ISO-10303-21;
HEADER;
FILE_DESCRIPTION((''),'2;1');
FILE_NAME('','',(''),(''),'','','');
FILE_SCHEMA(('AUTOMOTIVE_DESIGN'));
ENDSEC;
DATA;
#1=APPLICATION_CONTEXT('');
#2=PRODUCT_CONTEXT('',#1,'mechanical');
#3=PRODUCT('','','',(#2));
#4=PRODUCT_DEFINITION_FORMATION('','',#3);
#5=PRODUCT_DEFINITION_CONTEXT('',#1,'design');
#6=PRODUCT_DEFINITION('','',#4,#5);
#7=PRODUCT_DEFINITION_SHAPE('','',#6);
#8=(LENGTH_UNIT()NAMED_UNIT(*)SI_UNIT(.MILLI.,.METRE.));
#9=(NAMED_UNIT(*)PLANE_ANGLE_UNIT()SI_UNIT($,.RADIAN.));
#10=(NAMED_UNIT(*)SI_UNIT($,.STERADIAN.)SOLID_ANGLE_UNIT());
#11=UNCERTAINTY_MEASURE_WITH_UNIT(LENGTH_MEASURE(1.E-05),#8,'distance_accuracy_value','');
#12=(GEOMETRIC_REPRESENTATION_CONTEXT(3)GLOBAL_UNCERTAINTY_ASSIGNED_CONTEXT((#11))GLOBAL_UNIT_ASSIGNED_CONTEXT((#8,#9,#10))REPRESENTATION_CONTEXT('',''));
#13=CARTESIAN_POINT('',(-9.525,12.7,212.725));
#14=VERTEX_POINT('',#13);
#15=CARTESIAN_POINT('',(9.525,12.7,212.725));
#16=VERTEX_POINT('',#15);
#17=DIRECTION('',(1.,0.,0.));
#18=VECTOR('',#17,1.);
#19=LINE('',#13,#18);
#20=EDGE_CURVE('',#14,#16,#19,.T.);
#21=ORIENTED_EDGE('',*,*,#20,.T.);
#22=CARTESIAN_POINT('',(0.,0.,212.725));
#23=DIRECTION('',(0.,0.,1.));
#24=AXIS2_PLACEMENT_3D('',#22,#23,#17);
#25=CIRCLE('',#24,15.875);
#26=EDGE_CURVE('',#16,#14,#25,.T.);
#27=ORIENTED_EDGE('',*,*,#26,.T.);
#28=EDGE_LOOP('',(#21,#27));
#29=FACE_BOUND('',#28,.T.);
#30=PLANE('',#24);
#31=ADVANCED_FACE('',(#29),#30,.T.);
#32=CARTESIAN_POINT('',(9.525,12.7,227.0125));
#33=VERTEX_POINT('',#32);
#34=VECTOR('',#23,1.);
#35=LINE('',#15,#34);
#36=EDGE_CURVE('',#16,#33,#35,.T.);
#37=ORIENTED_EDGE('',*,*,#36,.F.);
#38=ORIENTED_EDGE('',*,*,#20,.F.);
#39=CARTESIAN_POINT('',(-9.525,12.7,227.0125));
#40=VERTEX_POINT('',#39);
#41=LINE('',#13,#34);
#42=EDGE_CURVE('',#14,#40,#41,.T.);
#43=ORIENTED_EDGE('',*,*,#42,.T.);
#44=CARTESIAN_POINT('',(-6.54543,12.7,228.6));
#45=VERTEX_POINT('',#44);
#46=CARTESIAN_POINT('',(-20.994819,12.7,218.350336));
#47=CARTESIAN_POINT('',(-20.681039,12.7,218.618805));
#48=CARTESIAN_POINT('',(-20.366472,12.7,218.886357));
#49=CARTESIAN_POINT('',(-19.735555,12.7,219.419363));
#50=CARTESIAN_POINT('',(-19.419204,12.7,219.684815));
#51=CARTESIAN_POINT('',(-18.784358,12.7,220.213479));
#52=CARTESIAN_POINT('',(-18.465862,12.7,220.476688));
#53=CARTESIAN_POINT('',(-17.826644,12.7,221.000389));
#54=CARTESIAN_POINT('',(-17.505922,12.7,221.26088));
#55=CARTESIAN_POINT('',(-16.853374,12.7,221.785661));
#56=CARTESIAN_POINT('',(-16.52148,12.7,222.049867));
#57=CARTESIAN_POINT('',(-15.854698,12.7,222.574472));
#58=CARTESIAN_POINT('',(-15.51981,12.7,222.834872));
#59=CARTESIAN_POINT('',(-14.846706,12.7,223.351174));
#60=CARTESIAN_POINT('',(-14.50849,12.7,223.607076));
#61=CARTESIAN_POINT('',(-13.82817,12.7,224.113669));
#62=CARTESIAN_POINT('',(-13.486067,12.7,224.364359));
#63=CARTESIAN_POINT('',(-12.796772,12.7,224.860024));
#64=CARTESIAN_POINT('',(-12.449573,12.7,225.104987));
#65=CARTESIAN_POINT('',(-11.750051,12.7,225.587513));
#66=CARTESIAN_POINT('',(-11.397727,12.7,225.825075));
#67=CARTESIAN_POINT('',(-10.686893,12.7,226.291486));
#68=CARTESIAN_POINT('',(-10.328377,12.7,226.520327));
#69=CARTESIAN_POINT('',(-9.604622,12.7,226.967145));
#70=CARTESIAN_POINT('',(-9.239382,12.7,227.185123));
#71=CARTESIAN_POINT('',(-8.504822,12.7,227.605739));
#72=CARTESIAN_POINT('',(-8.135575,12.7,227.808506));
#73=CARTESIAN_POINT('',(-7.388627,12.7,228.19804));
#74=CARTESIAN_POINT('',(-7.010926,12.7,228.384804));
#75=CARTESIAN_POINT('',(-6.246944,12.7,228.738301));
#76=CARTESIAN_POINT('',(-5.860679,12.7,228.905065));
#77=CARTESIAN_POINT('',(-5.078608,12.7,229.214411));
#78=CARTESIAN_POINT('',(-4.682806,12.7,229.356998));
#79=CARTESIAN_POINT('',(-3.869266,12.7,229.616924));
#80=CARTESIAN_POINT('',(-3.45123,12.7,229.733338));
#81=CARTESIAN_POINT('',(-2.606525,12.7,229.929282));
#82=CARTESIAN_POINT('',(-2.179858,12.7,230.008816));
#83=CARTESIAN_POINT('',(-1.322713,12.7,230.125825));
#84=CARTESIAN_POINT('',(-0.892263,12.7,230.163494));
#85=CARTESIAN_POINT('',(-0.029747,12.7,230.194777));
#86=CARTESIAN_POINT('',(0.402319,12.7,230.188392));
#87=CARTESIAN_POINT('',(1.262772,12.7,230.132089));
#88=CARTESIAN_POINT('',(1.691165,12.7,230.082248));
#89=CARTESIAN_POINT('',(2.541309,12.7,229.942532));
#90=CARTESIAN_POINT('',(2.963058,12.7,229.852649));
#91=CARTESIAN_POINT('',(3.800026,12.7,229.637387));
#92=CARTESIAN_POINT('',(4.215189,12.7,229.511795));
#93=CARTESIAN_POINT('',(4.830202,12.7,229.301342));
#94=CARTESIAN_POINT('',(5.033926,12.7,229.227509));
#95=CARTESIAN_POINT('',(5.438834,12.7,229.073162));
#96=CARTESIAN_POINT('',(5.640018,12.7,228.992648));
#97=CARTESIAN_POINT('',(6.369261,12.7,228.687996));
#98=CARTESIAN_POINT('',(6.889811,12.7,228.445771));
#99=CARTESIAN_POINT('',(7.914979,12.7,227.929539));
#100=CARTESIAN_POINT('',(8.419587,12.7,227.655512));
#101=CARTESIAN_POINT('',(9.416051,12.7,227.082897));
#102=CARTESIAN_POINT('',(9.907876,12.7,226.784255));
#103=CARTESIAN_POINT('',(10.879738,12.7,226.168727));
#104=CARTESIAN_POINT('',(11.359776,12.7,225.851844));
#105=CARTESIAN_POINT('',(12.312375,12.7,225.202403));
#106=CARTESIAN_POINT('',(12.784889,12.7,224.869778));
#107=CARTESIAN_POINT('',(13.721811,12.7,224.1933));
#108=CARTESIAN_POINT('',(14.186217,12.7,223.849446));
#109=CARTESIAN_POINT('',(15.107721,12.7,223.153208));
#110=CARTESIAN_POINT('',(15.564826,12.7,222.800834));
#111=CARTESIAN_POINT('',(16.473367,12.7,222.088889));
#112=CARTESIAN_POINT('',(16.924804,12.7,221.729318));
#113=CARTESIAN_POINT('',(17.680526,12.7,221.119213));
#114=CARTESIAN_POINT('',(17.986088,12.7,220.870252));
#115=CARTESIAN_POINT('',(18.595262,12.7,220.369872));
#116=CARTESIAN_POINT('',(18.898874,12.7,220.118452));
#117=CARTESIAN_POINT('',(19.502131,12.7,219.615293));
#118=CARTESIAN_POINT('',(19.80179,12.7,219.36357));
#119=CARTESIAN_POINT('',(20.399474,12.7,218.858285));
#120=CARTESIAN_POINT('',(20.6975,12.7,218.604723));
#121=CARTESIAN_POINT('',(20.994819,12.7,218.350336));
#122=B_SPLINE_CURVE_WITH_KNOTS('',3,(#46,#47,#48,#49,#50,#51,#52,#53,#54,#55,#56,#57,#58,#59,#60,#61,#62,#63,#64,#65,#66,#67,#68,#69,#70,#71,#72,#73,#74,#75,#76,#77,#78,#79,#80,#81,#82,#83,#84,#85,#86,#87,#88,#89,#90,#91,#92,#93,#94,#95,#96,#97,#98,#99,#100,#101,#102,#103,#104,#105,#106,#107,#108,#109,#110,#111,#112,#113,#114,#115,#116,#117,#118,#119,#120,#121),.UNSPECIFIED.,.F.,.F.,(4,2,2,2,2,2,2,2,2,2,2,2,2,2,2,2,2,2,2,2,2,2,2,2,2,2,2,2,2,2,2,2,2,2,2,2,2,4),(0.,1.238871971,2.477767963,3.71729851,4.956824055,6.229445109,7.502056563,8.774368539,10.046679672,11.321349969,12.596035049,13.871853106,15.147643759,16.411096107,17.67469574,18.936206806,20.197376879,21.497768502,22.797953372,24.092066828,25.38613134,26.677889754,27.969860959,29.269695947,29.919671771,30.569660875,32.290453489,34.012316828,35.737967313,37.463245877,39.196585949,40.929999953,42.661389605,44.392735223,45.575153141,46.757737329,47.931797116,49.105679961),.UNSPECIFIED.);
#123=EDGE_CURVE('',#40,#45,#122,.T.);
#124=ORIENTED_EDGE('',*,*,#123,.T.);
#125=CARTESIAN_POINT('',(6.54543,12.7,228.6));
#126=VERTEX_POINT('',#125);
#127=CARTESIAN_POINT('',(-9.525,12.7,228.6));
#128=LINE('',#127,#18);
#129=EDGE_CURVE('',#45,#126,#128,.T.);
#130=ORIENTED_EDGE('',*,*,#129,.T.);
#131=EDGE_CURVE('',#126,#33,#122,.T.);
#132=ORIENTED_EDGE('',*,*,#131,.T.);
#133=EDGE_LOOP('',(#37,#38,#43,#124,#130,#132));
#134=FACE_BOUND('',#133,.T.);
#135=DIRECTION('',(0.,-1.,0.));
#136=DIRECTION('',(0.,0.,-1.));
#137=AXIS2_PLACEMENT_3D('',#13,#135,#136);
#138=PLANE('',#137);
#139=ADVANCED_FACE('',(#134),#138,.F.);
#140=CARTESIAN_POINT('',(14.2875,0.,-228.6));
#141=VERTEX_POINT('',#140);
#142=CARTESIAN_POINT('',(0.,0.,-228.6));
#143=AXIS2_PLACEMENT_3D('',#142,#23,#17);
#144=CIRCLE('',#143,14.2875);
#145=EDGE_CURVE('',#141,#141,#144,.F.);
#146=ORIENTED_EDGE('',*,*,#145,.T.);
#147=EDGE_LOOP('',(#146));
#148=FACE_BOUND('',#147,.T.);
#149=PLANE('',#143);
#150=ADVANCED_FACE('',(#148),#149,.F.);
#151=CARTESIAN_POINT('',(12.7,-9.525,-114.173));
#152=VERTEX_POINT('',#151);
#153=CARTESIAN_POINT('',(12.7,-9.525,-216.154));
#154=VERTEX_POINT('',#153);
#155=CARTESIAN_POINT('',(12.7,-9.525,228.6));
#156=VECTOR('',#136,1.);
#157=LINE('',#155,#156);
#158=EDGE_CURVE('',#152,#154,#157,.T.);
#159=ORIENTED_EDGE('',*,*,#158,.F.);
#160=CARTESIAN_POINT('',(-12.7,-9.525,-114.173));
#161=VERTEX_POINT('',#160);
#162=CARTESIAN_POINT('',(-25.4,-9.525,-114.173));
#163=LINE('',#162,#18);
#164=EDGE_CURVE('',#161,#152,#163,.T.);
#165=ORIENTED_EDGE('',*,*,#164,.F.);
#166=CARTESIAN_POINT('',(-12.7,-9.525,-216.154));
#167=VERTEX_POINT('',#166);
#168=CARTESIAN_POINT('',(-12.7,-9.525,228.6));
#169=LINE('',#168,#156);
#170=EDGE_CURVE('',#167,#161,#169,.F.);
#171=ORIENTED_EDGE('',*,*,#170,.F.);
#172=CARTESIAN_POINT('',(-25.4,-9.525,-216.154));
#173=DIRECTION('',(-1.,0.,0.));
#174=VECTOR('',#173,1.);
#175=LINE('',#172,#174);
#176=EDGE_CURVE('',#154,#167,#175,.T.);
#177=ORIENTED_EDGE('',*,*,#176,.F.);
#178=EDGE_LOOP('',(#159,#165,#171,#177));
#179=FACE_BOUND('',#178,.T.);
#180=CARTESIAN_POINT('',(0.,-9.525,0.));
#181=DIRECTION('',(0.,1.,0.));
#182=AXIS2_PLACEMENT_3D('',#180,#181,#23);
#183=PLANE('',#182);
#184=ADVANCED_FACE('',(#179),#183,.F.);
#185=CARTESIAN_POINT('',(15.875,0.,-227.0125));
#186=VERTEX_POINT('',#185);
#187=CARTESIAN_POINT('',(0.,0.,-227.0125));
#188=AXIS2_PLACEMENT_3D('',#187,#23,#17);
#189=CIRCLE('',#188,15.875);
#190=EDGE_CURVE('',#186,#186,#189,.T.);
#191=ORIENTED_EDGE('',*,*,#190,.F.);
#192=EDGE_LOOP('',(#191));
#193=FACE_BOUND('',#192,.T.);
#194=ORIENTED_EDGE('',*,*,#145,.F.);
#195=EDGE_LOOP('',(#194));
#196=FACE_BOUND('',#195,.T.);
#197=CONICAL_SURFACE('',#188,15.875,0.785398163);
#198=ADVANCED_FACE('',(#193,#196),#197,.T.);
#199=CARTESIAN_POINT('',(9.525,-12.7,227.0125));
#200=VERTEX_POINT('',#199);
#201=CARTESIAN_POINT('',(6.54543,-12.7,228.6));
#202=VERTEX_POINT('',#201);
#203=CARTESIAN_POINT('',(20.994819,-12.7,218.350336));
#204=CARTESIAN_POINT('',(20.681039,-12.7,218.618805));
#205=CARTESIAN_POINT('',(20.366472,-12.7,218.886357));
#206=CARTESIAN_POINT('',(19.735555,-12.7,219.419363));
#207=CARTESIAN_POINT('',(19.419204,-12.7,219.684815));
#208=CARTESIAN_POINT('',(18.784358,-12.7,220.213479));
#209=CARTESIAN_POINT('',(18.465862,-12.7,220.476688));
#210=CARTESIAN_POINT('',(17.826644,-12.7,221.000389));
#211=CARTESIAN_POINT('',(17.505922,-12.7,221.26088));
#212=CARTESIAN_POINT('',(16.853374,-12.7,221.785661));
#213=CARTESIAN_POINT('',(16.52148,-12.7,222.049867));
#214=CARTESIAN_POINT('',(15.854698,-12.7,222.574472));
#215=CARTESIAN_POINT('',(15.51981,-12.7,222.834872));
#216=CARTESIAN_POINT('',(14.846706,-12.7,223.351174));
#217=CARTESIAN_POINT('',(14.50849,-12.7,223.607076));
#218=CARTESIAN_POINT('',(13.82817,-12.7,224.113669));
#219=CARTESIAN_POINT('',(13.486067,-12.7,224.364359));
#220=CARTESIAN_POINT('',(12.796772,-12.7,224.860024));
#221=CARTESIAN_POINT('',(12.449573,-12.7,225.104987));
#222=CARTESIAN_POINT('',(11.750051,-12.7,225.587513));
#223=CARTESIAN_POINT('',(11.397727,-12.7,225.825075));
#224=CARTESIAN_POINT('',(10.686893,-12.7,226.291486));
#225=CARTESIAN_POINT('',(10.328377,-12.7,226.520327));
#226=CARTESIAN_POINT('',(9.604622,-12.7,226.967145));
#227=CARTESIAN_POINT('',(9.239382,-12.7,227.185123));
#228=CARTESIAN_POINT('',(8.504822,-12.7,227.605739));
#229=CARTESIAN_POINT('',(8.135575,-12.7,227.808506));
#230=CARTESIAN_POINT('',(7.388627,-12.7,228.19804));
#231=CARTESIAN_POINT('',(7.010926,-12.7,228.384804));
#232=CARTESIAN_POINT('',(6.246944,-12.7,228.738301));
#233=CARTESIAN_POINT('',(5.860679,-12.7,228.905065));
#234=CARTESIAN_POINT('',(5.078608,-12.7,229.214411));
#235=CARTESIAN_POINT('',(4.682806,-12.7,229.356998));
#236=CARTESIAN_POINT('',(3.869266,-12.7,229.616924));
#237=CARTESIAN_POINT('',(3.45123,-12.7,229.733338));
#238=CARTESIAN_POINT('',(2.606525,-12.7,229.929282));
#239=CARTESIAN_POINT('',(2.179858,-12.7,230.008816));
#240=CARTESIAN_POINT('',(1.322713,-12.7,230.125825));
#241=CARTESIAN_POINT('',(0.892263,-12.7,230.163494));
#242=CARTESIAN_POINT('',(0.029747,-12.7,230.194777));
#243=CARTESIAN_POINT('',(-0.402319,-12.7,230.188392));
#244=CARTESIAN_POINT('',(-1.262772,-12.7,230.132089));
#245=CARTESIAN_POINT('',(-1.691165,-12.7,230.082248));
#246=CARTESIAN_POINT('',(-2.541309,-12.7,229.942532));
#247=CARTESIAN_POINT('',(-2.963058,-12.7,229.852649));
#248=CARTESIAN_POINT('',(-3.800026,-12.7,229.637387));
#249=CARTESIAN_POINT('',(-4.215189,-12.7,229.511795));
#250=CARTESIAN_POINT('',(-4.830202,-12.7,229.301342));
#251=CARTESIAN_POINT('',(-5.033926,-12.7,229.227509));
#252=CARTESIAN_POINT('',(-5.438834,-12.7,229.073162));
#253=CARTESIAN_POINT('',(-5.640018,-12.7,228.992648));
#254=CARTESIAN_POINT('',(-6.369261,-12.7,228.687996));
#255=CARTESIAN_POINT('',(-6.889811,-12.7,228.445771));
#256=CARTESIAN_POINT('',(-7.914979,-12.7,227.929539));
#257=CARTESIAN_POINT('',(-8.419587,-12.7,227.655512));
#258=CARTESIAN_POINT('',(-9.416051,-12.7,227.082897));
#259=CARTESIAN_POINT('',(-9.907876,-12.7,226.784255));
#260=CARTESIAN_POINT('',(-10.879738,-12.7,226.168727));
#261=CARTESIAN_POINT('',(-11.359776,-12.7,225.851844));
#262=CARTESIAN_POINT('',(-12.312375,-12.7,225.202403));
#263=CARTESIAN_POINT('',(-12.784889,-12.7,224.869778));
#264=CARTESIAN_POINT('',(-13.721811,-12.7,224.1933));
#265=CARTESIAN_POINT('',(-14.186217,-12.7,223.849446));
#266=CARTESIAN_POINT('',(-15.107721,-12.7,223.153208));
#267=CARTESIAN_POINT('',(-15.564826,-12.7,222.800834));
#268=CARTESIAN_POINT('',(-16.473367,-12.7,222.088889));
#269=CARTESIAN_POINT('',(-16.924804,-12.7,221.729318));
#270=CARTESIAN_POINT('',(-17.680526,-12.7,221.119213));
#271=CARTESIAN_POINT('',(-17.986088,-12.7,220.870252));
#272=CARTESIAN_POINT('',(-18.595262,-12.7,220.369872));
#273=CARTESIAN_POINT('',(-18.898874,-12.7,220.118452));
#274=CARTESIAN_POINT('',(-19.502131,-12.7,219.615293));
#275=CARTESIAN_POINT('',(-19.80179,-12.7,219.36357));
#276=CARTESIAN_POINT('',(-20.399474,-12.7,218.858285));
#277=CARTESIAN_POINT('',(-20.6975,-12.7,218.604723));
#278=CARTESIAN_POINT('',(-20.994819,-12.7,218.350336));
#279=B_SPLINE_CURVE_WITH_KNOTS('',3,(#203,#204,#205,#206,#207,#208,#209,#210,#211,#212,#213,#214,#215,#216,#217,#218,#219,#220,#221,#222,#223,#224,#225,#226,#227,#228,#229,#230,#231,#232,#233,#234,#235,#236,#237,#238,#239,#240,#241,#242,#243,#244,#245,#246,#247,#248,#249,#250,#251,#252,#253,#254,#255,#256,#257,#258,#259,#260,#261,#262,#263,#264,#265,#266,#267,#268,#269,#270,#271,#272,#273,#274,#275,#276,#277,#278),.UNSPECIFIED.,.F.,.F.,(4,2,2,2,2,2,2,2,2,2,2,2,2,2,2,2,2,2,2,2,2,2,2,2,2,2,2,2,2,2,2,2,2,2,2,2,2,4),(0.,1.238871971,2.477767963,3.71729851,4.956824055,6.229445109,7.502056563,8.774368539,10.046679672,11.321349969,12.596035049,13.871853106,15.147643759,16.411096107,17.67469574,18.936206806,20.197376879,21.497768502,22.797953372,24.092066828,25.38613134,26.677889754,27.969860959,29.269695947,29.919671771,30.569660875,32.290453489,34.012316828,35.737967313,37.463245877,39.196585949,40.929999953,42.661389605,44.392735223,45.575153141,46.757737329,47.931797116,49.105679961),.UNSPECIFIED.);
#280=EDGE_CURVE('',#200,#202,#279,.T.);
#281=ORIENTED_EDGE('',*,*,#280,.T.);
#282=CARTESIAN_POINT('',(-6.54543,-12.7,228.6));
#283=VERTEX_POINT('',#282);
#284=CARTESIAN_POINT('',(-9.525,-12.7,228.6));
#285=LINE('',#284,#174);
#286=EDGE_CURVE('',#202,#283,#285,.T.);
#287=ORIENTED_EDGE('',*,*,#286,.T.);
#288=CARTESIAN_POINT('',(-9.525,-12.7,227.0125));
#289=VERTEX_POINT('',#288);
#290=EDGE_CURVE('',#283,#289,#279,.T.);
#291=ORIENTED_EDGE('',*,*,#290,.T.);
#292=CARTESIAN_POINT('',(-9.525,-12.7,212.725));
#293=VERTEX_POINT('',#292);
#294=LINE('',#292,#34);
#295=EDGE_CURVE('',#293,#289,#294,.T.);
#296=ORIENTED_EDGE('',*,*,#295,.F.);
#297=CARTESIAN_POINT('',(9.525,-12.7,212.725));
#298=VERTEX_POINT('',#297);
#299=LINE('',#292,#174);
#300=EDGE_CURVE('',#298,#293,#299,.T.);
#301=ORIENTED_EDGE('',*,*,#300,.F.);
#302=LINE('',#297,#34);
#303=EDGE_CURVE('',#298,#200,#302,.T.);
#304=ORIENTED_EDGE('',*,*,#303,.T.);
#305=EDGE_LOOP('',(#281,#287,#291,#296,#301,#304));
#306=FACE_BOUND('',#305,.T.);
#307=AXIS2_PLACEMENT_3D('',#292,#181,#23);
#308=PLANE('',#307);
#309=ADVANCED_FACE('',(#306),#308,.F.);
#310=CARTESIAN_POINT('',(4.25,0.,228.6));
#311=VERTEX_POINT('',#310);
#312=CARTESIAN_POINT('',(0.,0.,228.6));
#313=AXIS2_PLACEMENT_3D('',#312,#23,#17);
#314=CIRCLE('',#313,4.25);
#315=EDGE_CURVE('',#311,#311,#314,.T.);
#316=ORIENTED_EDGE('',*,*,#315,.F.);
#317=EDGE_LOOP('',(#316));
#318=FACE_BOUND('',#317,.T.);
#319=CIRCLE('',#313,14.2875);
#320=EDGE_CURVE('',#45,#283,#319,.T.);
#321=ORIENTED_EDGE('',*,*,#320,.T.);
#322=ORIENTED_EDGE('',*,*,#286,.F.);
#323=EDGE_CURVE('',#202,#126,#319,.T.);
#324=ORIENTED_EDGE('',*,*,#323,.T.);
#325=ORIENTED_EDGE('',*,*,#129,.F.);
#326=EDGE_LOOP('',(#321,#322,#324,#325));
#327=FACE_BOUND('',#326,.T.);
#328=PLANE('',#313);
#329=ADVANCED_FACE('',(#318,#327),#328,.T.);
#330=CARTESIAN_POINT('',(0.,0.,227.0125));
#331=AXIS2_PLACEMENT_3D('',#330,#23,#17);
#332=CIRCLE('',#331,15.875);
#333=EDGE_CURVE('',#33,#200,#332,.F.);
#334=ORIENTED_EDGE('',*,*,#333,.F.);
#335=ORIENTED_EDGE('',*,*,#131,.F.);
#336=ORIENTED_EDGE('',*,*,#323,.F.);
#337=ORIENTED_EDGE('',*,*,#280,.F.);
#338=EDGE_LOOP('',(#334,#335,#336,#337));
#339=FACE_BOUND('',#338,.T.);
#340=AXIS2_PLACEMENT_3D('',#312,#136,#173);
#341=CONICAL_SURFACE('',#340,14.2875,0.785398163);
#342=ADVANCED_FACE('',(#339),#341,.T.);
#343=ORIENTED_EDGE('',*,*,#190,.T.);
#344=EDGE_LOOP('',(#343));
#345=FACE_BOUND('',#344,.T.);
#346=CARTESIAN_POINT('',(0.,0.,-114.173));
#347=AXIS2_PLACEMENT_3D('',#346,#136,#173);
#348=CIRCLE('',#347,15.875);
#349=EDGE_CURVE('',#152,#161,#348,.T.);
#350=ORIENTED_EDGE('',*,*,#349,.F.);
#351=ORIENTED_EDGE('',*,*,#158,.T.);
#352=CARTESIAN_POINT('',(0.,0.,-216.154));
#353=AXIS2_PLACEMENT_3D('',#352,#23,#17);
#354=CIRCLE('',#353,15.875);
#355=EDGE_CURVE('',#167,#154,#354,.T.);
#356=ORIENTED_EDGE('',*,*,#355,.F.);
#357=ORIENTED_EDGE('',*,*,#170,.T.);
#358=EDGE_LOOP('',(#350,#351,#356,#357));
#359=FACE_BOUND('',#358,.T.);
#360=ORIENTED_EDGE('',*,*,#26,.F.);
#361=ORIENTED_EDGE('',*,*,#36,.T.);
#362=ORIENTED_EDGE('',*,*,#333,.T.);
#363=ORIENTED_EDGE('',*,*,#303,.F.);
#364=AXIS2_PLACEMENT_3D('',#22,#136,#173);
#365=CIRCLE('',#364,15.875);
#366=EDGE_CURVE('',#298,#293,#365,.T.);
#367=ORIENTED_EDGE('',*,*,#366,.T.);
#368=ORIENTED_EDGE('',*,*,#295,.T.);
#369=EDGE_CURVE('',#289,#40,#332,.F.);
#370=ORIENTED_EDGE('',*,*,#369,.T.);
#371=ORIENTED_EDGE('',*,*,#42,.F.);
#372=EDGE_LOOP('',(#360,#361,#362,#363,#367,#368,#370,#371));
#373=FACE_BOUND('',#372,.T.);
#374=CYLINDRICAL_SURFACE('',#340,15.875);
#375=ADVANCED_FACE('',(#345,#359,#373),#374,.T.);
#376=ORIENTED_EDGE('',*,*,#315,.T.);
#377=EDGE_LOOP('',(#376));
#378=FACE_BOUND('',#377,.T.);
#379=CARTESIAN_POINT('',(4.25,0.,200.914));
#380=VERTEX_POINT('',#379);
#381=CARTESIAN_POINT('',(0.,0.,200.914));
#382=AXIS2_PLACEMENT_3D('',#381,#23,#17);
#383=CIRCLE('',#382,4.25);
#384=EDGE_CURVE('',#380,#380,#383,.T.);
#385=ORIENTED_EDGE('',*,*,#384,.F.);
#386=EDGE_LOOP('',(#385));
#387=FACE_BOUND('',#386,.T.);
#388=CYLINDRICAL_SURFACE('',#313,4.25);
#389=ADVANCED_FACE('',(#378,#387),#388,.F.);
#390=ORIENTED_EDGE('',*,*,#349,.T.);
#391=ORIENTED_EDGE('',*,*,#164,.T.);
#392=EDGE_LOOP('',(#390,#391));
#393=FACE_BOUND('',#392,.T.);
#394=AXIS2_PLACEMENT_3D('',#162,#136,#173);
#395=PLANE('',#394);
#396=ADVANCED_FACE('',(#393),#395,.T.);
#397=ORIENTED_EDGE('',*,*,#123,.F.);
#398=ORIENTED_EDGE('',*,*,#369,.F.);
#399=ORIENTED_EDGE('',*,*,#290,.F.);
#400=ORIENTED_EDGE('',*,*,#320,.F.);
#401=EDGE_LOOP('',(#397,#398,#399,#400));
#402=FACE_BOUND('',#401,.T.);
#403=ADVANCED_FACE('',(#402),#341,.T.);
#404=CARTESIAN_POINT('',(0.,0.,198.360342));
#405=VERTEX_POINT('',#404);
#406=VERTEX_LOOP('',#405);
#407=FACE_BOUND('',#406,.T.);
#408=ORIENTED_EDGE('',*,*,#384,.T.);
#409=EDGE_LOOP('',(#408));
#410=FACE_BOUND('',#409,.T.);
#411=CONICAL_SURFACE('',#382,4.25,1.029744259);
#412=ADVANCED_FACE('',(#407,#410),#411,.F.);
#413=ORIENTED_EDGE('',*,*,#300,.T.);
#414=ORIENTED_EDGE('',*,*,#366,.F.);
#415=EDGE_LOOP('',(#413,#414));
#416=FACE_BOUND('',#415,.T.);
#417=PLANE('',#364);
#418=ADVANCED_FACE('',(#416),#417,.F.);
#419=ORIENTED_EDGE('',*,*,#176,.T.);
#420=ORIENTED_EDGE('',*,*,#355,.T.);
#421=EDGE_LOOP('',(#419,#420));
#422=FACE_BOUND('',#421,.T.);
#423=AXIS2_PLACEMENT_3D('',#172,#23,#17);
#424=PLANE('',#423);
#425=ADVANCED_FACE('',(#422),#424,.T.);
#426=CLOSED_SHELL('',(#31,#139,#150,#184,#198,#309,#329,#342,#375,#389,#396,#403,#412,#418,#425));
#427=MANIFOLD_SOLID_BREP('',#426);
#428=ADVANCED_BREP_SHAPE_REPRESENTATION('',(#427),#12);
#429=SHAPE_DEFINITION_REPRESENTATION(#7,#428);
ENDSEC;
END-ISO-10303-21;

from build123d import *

# Parameters (mm, degrees)
SKETCH1_R                  = 15.875
BOSS_EXTRUDE1_DEPTH        = 228.6
SKETCH2_W                  = 50.8
SKETCH2_H                  = 101.981
CUT_EXTRUDE2_DEPTH         = 9.525
CHAMFER1_SIZE              = 1.5875
SKETCH3_W                  = 19.05
SKETCH3_H                  = 10.048588851
SKETCH3_H_2                = 8.582335087
CUT_EXTRUDE3_DEPTH         = 15.875
M10X1_5_TAPPED_HOLE1_D     = 8.5
M10X1_5_TAPPED_HOLE1_DEPTH = 27.686
M10X1_5_TAPPED_HOLE1_TIP   = 2.553657631


with BuildPart() as part:
    # Sketch1 → Boss-Extrude1 (new body, symmetric)
    with BuildSketch(Plane.XY):
        Circle(SKETCH1_R)
    extrude(amount=BOSS_EXTRUDE1_DEPTH, both=True)

    # Sketch2 → Cut-Extrude2 (cut)
    with BuildSketch(Plane(origin=(0, -19.05, 0), x_dir=(1, 0, 0), z_dir=(0, 1, 0))):
        with Locations((0, 165.1635)):
            Rectangle(SKETCH2_W, SKETCH2_H)
    extrude(amount=CUT_EXTRUDE2_DEPTH, mode=Mode.SUBTRACT)

    # Chamfer1
    chamfer1_edges = [part.edges().sort_by_distance(p)[0] for p in [
        (-15.875, 0, -228.6),
        (-15.875, 0, 228.6),
    ]]
    chamfer(chamfer1_edges, length=CHAMFER1_SIZE)

    # Sketch3 → Cut-Extrude3 (cut)
    with BuildSketch(Plane.XY.offset(228.6)):
        with Locations((0, 17.724294426)):
            Rectangle(SKETCH3_W, SKETCH3_H)
        with Locations((0, -16.991167544)):
            Rectangle(SKETCH3_W, SKETCH3_H_2)
    extrude(amount=-CUT_EXTRUDE3_DEPTH, mode=Mode.SUBTRACT)

    # M10x1.5 Tapped Hole1
    with Locations(Plane.XY.offset(228.6)):
        with Locations((0, 0)):
            Hole(M10X1_5_TAPPED_HOLE1_D / 2, depth=M10X1_5_TAPPED_HOLE1_DEPTH)
            with Locations((0, 0, -(M10X1_5_TAPPED_HOLE1_DEPTH + M10X1_5_TAPPED_HOLE1_TIP / 2))):  # 118° drill point
                Cone(0, M10X1_5_TAPPED_HOLE1_D / 2, M10X1_5_TAPPED_HOLE1_TIP, mode=Mode.SUBTRACT)


solid = part.part
